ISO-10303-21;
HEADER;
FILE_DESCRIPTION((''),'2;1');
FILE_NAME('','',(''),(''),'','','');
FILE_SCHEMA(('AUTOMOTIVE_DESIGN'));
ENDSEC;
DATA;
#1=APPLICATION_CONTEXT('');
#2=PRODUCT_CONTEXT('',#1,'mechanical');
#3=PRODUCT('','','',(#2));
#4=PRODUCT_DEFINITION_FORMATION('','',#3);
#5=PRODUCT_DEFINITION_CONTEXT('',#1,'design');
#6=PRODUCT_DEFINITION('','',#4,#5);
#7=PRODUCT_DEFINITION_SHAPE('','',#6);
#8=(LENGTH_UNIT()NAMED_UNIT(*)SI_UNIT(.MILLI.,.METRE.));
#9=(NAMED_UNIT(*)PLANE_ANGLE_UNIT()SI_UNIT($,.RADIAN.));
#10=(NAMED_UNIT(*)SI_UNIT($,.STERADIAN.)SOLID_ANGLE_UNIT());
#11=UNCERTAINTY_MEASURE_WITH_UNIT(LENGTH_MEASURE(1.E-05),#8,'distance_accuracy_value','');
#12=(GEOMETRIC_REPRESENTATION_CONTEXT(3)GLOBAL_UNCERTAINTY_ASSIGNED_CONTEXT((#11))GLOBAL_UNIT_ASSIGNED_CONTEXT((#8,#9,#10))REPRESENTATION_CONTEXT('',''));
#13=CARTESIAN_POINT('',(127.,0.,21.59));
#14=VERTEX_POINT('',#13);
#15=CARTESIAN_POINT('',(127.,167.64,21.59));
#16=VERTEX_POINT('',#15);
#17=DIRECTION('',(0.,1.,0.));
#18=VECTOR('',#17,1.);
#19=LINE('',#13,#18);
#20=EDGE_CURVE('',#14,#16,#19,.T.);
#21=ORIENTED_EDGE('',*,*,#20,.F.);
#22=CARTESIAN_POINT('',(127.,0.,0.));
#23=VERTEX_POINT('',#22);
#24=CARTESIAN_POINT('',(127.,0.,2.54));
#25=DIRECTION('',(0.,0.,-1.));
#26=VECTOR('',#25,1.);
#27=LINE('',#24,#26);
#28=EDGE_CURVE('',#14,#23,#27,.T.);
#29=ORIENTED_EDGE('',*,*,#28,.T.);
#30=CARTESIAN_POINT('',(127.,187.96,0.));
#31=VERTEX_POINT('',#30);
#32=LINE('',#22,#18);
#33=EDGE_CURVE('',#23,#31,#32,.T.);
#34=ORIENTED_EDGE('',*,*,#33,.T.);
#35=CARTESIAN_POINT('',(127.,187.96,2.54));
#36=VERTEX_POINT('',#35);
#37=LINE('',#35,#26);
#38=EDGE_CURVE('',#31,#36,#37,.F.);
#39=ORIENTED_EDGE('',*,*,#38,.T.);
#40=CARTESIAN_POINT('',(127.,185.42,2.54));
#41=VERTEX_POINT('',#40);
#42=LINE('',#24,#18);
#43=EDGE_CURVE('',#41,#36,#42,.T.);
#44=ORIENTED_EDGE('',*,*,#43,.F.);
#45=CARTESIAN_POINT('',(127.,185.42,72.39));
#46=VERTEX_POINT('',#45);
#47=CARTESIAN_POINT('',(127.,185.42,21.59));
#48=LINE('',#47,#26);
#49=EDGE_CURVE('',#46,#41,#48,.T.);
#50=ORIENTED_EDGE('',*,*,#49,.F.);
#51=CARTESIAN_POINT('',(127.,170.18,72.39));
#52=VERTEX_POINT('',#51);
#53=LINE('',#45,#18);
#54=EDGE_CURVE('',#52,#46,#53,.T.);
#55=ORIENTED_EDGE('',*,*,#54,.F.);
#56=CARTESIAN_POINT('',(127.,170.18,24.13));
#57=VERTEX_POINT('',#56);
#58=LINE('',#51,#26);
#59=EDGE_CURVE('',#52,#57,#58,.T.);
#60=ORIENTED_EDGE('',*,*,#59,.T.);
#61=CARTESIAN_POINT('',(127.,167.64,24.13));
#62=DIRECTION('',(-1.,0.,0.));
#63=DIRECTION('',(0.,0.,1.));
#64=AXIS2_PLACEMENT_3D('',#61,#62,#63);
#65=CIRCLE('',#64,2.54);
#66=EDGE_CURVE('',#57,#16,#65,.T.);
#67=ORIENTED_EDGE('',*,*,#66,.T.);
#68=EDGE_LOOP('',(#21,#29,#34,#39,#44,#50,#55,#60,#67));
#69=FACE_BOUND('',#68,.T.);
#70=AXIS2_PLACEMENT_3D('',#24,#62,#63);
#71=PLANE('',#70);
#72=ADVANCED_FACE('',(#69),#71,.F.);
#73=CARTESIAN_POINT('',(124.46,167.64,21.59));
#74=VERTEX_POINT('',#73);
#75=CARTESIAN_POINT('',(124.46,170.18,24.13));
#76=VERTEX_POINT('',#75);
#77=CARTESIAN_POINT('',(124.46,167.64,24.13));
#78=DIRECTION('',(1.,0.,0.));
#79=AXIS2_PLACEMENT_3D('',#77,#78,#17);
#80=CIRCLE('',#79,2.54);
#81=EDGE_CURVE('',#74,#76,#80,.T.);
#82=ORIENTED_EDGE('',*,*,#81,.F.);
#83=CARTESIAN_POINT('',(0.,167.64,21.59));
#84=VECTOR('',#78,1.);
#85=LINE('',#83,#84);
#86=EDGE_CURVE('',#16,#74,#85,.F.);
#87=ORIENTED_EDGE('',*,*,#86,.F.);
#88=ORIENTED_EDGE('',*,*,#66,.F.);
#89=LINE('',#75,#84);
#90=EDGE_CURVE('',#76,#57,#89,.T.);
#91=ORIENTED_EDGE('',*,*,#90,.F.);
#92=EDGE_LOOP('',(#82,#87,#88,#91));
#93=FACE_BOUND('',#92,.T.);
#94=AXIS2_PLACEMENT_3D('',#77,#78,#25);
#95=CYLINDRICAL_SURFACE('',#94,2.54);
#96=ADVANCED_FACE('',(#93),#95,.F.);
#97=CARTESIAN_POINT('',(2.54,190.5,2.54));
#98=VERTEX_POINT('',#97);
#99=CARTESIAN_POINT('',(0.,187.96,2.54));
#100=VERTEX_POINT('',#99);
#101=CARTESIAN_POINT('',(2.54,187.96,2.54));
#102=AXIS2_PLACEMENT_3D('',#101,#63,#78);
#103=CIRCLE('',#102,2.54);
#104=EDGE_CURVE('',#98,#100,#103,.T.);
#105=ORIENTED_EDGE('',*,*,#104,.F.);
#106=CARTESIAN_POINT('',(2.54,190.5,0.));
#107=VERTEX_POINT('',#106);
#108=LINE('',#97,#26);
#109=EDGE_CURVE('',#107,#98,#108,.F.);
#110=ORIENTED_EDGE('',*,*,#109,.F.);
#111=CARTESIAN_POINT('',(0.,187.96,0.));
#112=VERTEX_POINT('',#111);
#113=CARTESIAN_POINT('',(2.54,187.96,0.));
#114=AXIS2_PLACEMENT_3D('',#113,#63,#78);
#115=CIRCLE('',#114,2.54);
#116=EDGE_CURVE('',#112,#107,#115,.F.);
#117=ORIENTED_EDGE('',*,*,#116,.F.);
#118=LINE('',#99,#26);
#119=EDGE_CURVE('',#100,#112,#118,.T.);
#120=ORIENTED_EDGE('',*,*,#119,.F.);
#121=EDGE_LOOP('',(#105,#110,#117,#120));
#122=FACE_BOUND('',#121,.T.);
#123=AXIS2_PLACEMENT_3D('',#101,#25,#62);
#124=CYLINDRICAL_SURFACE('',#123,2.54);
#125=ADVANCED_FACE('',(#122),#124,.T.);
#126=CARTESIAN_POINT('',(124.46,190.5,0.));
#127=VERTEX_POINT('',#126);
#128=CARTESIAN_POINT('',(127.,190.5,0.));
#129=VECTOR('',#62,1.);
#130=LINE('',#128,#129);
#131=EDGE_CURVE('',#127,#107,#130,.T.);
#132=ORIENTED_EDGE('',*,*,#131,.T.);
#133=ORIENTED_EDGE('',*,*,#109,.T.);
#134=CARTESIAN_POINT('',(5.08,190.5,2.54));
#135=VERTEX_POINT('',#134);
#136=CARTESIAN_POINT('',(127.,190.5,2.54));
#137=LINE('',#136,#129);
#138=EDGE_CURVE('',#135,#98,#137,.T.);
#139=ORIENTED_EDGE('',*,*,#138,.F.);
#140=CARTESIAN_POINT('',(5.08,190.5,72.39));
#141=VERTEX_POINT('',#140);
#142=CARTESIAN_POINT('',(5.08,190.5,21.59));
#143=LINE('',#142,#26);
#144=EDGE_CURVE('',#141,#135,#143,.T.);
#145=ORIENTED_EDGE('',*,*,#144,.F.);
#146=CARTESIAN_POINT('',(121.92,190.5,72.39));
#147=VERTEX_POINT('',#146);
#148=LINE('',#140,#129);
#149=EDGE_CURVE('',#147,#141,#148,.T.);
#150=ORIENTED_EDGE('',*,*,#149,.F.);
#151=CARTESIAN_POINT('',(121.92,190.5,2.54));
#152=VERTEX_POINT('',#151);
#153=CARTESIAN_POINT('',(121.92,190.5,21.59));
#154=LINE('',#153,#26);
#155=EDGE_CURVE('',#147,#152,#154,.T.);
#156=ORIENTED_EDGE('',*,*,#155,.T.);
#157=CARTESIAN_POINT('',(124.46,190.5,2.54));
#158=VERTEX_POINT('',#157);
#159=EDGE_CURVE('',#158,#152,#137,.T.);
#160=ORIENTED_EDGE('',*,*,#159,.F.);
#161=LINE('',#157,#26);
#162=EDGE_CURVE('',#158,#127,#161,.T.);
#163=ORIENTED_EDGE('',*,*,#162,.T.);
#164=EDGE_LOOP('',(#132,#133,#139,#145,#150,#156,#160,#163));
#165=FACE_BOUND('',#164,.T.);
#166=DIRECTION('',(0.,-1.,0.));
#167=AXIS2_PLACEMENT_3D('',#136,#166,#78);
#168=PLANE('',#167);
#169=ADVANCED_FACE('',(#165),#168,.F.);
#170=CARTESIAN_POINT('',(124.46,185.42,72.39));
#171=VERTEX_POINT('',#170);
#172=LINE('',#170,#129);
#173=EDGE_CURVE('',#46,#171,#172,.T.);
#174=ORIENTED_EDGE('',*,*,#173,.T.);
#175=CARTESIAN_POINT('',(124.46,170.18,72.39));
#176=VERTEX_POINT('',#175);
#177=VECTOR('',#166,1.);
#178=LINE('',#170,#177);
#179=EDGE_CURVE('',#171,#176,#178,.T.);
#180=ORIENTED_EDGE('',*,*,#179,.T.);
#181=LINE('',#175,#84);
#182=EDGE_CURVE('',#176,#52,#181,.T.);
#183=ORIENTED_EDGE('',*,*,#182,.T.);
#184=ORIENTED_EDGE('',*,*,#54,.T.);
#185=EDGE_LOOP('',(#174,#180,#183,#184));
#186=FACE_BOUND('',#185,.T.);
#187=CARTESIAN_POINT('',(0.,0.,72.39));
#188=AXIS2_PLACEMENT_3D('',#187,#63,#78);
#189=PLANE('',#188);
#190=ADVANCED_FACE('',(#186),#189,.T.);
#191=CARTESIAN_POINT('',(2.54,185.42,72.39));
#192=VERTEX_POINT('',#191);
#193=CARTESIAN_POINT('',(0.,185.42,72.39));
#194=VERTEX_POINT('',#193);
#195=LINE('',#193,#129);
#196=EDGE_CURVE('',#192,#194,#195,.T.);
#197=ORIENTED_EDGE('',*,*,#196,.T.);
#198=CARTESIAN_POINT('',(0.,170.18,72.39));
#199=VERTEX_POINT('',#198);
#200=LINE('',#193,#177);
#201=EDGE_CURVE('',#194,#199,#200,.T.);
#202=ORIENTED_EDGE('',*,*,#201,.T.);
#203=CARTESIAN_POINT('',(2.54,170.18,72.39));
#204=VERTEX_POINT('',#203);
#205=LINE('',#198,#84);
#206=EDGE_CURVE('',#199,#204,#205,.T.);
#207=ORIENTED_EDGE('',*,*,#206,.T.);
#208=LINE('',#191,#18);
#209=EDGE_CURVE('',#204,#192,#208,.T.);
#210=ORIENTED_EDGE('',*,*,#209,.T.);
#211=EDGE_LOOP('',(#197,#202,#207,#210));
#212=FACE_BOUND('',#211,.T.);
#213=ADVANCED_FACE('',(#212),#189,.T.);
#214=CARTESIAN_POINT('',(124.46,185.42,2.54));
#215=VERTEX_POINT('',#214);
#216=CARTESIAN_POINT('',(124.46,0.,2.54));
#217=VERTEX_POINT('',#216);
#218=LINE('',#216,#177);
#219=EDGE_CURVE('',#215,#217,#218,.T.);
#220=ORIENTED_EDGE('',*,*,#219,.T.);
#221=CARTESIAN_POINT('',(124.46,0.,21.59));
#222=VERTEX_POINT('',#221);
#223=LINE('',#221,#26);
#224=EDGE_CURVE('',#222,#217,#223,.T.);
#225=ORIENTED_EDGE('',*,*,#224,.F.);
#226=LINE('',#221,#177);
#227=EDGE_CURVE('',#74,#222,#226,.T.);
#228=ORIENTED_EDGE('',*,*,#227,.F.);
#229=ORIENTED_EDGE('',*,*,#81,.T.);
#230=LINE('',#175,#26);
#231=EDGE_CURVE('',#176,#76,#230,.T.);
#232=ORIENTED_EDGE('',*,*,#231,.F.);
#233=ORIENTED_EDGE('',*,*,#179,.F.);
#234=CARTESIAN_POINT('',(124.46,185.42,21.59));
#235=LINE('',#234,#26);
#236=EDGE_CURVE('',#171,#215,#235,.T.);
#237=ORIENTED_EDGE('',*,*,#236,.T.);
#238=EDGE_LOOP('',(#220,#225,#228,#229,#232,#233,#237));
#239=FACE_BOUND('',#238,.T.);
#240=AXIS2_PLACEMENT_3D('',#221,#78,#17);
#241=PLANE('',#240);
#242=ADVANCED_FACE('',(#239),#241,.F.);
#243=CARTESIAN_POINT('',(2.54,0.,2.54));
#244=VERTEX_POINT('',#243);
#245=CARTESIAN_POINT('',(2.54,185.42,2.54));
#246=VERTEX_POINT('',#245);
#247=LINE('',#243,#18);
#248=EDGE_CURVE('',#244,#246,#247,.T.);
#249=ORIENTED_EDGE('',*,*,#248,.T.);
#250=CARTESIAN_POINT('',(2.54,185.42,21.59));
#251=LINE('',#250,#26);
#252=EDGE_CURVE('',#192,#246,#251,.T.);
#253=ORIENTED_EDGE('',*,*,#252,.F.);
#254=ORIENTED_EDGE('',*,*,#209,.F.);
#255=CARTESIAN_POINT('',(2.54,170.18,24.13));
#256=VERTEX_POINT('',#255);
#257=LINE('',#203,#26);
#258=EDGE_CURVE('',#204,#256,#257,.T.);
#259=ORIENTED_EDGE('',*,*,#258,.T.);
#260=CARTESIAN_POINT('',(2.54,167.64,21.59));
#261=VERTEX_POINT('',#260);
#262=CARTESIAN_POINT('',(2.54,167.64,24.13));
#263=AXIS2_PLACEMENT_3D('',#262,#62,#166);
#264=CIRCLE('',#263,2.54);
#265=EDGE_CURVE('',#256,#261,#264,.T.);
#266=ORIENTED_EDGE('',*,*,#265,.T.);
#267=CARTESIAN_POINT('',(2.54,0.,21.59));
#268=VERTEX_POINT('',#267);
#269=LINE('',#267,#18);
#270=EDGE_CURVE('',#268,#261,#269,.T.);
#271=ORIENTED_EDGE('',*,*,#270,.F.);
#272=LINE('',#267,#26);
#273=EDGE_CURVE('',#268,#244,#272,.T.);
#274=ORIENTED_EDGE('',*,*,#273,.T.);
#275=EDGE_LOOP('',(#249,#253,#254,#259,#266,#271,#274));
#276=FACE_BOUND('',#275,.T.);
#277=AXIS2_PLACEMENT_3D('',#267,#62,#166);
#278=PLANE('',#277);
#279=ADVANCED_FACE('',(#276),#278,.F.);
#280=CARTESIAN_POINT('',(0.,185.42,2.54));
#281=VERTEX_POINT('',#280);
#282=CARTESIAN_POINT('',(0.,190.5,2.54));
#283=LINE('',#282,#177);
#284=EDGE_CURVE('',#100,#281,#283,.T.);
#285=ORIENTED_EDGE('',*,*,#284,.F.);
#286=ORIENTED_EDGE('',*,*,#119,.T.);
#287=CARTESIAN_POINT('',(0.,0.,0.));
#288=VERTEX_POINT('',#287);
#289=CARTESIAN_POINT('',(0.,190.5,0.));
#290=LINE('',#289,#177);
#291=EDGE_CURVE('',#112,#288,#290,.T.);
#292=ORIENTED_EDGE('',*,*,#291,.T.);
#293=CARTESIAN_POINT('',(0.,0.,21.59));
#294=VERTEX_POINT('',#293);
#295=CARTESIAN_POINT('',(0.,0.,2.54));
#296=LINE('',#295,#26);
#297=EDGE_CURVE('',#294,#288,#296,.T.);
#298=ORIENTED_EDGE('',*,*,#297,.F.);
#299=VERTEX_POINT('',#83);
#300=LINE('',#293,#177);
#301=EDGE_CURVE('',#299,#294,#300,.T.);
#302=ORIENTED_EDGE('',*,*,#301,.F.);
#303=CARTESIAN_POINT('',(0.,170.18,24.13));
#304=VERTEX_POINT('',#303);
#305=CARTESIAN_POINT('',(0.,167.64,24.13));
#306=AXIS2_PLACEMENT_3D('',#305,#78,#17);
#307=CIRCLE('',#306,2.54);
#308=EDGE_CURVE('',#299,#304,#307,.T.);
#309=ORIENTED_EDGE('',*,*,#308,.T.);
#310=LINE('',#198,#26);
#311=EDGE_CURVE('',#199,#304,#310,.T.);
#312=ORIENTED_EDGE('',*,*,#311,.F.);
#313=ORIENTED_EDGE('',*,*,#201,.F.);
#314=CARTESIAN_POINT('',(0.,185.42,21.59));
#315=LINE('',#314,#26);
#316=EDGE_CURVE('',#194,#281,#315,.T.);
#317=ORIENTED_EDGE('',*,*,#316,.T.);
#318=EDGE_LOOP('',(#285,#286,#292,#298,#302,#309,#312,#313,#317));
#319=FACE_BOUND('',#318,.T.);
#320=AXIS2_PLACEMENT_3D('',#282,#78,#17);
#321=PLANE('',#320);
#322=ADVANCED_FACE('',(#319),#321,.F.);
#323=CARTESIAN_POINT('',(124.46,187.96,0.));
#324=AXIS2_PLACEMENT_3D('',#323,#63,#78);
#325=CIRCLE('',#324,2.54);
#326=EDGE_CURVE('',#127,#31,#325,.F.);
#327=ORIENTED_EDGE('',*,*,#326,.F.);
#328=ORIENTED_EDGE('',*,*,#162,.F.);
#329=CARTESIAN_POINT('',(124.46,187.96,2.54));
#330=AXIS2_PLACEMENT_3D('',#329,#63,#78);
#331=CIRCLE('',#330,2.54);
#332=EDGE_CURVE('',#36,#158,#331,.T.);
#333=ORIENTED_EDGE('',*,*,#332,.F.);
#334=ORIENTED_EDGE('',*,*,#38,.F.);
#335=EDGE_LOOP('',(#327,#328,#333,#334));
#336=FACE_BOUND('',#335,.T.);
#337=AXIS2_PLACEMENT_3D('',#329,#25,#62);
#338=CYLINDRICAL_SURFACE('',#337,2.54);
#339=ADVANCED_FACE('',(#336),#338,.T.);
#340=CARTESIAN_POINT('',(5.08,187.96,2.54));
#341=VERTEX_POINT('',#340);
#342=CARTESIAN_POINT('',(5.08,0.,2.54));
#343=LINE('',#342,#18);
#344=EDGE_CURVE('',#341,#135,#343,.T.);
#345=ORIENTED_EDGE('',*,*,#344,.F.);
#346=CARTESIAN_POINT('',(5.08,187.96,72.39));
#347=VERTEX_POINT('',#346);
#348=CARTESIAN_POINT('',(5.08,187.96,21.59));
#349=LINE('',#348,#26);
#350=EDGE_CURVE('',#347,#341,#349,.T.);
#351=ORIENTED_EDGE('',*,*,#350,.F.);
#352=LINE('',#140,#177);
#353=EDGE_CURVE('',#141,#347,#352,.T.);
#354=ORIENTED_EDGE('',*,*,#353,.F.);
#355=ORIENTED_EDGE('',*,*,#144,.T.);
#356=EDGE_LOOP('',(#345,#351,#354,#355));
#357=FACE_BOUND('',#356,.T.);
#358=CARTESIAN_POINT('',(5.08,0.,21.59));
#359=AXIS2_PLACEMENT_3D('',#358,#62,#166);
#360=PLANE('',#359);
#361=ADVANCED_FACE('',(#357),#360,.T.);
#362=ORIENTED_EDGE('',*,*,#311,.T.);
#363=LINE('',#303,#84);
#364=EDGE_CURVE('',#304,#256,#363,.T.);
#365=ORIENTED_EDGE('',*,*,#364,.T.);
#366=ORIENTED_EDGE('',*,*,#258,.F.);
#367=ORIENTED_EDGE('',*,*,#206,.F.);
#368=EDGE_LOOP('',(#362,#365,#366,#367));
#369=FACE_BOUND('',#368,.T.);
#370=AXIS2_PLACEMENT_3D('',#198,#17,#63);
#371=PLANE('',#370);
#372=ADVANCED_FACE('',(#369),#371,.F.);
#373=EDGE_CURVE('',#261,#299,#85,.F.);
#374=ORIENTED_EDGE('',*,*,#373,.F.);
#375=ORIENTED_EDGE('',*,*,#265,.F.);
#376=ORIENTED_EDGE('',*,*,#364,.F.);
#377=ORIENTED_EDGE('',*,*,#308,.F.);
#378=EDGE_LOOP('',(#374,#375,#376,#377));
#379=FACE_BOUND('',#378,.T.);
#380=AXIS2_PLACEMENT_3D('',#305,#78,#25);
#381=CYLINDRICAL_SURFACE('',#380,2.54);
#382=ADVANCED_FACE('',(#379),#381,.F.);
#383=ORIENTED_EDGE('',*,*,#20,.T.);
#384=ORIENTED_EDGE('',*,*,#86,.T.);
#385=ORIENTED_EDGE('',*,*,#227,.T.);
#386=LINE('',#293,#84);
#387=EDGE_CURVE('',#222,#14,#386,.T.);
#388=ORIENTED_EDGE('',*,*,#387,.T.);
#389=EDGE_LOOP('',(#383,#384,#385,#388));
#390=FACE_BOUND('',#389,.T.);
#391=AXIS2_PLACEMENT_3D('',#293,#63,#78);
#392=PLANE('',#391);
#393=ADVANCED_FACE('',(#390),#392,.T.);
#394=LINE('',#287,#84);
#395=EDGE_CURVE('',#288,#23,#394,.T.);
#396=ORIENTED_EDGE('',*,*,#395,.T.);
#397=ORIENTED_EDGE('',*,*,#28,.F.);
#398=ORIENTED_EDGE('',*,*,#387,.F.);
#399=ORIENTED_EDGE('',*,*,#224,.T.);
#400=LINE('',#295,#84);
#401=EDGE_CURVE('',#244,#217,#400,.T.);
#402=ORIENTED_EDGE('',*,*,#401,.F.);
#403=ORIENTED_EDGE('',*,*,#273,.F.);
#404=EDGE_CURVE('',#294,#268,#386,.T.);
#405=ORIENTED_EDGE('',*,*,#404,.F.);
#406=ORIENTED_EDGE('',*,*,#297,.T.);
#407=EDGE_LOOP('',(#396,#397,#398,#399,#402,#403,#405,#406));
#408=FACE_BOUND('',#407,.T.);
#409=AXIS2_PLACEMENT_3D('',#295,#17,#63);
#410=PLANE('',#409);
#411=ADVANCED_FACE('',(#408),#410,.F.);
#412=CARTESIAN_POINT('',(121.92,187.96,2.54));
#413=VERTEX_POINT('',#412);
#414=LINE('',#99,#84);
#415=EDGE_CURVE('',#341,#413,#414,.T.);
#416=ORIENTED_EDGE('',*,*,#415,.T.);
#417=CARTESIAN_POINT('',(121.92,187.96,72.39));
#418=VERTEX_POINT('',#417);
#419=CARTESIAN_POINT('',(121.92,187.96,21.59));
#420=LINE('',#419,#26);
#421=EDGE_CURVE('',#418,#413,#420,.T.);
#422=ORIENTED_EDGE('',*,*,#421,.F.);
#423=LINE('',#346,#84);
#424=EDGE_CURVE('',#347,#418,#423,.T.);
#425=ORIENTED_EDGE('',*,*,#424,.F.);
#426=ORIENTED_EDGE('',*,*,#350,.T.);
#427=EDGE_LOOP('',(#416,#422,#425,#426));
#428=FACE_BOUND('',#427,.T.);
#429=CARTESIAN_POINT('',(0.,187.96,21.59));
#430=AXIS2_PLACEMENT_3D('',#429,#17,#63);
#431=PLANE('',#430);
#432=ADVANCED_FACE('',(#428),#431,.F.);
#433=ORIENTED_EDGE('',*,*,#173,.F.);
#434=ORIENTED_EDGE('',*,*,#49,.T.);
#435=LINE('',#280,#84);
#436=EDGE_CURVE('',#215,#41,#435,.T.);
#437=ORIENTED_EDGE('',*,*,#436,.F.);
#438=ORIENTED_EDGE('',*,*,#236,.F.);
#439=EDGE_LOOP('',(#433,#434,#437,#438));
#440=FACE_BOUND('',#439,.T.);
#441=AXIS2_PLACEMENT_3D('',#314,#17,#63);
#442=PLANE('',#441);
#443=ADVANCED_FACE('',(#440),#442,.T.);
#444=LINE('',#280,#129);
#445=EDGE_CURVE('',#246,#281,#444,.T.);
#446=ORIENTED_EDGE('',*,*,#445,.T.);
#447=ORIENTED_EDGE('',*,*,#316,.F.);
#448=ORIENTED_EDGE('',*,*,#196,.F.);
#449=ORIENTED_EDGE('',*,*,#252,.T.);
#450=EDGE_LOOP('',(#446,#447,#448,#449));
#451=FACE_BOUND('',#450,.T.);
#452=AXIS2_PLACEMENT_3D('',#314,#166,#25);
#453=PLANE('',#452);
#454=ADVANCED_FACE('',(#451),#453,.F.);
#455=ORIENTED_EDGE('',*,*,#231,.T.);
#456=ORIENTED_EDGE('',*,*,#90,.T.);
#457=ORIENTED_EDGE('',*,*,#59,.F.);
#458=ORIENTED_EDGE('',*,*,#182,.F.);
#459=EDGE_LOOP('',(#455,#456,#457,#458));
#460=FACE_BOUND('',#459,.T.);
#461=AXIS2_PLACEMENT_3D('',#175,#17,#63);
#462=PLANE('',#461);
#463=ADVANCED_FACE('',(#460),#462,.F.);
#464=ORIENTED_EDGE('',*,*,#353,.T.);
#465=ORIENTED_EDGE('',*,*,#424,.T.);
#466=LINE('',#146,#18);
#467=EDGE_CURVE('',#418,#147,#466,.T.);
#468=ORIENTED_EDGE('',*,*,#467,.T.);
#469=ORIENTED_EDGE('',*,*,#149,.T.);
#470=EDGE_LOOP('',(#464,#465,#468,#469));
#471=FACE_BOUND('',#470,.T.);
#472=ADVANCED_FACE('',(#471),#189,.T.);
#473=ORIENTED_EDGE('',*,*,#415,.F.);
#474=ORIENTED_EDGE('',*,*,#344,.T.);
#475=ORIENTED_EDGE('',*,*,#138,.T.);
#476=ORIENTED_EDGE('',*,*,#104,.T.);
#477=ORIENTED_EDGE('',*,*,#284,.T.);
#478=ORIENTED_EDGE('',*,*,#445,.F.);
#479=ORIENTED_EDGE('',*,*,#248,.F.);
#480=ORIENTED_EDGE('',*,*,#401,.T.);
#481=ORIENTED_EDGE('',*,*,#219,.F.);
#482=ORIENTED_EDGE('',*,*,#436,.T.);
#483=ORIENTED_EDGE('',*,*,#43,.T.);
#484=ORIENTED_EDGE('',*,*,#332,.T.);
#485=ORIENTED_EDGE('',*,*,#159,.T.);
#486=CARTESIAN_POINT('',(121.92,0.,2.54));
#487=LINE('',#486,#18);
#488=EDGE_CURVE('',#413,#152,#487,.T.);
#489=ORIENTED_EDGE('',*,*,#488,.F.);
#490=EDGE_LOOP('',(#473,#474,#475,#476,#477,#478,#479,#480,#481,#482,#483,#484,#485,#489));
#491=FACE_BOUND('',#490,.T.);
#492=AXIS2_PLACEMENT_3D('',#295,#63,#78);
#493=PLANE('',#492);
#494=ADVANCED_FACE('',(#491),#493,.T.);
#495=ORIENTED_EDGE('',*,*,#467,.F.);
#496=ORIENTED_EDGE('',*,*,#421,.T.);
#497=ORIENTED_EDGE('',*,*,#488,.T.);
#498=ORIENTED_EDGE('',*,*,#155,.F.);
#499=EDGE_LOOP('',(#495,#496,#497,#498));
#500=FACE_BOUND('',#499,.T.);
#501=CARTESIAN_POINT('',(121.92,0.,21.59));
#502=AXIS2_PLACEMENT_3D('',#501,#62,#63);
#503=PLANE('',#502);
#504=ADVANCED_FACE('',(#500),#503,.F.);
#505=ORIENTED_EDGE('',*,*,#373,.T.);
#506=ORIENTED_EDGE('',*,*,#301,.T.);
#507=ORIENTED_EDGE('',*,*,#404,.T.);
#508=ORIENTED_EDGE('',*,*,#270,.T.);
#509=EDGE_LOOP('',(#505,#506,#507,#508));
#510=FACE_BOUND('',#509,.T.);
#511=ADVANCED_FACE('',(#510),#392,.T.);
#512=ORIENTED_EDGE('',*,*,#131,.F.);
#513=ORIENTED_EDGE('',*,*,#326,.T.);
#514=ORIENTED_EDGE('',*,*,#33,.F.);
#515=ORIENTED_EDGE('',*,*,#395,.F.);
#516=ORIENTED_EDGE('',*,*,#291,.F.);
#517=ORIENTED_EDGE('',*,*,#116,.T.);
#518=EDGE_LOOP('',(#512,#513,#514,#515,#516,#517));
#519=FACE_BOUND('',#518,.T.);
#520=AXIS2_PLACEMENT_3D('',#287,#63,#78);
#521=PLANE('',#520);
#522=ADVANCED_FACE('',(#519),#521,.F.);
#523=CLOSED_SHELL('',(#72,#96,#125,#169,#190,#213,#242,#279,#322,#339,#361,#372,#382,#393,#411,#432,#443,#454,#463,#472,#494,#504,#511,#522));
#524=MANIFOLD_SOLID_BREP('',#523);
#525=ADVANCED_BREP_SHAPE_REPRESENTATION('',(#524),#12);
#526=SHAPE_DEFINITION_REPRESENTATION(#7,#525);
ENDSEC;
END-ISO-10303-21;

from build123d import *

# Parameters (mm, degrees)
SKETCH1_W           = 127
SKETCH1_H           = 190.5
BOSS_EXTRUDE1_DEPTH = 2.54
SKETCH3_W           = 2.54
SKETCH3_H           = 185.42
SKETCH3_W_2         = 116.84
SKETCH3_H_2         = 2.54
BOSS_EXTRUDE2_DEPTH = 19.05
SKETCH4_W           = 2.54
SKETCH4_H           = 15.24
SKETCH4_W_2         = 116.84
SKETCH4_H_2         = 2.54
BOSS_EXTRUDE3_DEPTH = 50.8
FILLET2_R           = 2.54


with BuildPart() as part:
    # Sketch1 → Boss-Extrude1 (new body)
    with BuildSketch(Plane.XY):
        with Locations((63.5, 95.25)):
            Rectangle(SKETCH1_W, SKETCH1_H)
    extrude(amount=BOSS_EXTRUDE1_DEPTH)

    # Sketch3 → Boss-Extrude2 (add)
    with BuildSketch(Plane.XY.offset(2.54)):
        with Locations((1.27, 92.71)):
            Rectangle(SKETCH3_W, SKETCH3_H)
        with Locations((63.5, 189.23)):
            Rectangle(SKETCH3_W_2, SKETCH3_H_2)
        with Locations((125.73, 92.71)):
            Rectangle(SKETCH3_W, SKETCH3_H)
    extrude(amount=BOSS_EXTRUDE2_DEPTH)

    # Sketch4 → Boss-Extrude3 (add)
    with BuildSketch(Plane.XY.offset(21.59)):
        with Locations((1.27, 177.8)):
            Rectangle(SKETCH4_W, SKETCH4_H)
        with Locations((63.5, 189.23)):
            Rectangle(SKETCH4_W_2, SKETCH4_H_2)
        with Locations((125.73, 177.8)):
            Rectangle(SKETCH4_W, SKETCH4_H)
    extrude(amount=BOSS_EXTRUDE3_DEPTH)

    # Fillet2
    fillet2_edges = [part.edges().sort_by_distance(p)[0] for p in [
        (1.27, 170.18, 21.59),
        (0, 190.5, 1.27),
        (125.73, 170.18, 21.59),
        (127, 190.5, 1.27),
    ]]
    fillet(fillet2_edges, radius=FILLET2_R)


solid = part.part
